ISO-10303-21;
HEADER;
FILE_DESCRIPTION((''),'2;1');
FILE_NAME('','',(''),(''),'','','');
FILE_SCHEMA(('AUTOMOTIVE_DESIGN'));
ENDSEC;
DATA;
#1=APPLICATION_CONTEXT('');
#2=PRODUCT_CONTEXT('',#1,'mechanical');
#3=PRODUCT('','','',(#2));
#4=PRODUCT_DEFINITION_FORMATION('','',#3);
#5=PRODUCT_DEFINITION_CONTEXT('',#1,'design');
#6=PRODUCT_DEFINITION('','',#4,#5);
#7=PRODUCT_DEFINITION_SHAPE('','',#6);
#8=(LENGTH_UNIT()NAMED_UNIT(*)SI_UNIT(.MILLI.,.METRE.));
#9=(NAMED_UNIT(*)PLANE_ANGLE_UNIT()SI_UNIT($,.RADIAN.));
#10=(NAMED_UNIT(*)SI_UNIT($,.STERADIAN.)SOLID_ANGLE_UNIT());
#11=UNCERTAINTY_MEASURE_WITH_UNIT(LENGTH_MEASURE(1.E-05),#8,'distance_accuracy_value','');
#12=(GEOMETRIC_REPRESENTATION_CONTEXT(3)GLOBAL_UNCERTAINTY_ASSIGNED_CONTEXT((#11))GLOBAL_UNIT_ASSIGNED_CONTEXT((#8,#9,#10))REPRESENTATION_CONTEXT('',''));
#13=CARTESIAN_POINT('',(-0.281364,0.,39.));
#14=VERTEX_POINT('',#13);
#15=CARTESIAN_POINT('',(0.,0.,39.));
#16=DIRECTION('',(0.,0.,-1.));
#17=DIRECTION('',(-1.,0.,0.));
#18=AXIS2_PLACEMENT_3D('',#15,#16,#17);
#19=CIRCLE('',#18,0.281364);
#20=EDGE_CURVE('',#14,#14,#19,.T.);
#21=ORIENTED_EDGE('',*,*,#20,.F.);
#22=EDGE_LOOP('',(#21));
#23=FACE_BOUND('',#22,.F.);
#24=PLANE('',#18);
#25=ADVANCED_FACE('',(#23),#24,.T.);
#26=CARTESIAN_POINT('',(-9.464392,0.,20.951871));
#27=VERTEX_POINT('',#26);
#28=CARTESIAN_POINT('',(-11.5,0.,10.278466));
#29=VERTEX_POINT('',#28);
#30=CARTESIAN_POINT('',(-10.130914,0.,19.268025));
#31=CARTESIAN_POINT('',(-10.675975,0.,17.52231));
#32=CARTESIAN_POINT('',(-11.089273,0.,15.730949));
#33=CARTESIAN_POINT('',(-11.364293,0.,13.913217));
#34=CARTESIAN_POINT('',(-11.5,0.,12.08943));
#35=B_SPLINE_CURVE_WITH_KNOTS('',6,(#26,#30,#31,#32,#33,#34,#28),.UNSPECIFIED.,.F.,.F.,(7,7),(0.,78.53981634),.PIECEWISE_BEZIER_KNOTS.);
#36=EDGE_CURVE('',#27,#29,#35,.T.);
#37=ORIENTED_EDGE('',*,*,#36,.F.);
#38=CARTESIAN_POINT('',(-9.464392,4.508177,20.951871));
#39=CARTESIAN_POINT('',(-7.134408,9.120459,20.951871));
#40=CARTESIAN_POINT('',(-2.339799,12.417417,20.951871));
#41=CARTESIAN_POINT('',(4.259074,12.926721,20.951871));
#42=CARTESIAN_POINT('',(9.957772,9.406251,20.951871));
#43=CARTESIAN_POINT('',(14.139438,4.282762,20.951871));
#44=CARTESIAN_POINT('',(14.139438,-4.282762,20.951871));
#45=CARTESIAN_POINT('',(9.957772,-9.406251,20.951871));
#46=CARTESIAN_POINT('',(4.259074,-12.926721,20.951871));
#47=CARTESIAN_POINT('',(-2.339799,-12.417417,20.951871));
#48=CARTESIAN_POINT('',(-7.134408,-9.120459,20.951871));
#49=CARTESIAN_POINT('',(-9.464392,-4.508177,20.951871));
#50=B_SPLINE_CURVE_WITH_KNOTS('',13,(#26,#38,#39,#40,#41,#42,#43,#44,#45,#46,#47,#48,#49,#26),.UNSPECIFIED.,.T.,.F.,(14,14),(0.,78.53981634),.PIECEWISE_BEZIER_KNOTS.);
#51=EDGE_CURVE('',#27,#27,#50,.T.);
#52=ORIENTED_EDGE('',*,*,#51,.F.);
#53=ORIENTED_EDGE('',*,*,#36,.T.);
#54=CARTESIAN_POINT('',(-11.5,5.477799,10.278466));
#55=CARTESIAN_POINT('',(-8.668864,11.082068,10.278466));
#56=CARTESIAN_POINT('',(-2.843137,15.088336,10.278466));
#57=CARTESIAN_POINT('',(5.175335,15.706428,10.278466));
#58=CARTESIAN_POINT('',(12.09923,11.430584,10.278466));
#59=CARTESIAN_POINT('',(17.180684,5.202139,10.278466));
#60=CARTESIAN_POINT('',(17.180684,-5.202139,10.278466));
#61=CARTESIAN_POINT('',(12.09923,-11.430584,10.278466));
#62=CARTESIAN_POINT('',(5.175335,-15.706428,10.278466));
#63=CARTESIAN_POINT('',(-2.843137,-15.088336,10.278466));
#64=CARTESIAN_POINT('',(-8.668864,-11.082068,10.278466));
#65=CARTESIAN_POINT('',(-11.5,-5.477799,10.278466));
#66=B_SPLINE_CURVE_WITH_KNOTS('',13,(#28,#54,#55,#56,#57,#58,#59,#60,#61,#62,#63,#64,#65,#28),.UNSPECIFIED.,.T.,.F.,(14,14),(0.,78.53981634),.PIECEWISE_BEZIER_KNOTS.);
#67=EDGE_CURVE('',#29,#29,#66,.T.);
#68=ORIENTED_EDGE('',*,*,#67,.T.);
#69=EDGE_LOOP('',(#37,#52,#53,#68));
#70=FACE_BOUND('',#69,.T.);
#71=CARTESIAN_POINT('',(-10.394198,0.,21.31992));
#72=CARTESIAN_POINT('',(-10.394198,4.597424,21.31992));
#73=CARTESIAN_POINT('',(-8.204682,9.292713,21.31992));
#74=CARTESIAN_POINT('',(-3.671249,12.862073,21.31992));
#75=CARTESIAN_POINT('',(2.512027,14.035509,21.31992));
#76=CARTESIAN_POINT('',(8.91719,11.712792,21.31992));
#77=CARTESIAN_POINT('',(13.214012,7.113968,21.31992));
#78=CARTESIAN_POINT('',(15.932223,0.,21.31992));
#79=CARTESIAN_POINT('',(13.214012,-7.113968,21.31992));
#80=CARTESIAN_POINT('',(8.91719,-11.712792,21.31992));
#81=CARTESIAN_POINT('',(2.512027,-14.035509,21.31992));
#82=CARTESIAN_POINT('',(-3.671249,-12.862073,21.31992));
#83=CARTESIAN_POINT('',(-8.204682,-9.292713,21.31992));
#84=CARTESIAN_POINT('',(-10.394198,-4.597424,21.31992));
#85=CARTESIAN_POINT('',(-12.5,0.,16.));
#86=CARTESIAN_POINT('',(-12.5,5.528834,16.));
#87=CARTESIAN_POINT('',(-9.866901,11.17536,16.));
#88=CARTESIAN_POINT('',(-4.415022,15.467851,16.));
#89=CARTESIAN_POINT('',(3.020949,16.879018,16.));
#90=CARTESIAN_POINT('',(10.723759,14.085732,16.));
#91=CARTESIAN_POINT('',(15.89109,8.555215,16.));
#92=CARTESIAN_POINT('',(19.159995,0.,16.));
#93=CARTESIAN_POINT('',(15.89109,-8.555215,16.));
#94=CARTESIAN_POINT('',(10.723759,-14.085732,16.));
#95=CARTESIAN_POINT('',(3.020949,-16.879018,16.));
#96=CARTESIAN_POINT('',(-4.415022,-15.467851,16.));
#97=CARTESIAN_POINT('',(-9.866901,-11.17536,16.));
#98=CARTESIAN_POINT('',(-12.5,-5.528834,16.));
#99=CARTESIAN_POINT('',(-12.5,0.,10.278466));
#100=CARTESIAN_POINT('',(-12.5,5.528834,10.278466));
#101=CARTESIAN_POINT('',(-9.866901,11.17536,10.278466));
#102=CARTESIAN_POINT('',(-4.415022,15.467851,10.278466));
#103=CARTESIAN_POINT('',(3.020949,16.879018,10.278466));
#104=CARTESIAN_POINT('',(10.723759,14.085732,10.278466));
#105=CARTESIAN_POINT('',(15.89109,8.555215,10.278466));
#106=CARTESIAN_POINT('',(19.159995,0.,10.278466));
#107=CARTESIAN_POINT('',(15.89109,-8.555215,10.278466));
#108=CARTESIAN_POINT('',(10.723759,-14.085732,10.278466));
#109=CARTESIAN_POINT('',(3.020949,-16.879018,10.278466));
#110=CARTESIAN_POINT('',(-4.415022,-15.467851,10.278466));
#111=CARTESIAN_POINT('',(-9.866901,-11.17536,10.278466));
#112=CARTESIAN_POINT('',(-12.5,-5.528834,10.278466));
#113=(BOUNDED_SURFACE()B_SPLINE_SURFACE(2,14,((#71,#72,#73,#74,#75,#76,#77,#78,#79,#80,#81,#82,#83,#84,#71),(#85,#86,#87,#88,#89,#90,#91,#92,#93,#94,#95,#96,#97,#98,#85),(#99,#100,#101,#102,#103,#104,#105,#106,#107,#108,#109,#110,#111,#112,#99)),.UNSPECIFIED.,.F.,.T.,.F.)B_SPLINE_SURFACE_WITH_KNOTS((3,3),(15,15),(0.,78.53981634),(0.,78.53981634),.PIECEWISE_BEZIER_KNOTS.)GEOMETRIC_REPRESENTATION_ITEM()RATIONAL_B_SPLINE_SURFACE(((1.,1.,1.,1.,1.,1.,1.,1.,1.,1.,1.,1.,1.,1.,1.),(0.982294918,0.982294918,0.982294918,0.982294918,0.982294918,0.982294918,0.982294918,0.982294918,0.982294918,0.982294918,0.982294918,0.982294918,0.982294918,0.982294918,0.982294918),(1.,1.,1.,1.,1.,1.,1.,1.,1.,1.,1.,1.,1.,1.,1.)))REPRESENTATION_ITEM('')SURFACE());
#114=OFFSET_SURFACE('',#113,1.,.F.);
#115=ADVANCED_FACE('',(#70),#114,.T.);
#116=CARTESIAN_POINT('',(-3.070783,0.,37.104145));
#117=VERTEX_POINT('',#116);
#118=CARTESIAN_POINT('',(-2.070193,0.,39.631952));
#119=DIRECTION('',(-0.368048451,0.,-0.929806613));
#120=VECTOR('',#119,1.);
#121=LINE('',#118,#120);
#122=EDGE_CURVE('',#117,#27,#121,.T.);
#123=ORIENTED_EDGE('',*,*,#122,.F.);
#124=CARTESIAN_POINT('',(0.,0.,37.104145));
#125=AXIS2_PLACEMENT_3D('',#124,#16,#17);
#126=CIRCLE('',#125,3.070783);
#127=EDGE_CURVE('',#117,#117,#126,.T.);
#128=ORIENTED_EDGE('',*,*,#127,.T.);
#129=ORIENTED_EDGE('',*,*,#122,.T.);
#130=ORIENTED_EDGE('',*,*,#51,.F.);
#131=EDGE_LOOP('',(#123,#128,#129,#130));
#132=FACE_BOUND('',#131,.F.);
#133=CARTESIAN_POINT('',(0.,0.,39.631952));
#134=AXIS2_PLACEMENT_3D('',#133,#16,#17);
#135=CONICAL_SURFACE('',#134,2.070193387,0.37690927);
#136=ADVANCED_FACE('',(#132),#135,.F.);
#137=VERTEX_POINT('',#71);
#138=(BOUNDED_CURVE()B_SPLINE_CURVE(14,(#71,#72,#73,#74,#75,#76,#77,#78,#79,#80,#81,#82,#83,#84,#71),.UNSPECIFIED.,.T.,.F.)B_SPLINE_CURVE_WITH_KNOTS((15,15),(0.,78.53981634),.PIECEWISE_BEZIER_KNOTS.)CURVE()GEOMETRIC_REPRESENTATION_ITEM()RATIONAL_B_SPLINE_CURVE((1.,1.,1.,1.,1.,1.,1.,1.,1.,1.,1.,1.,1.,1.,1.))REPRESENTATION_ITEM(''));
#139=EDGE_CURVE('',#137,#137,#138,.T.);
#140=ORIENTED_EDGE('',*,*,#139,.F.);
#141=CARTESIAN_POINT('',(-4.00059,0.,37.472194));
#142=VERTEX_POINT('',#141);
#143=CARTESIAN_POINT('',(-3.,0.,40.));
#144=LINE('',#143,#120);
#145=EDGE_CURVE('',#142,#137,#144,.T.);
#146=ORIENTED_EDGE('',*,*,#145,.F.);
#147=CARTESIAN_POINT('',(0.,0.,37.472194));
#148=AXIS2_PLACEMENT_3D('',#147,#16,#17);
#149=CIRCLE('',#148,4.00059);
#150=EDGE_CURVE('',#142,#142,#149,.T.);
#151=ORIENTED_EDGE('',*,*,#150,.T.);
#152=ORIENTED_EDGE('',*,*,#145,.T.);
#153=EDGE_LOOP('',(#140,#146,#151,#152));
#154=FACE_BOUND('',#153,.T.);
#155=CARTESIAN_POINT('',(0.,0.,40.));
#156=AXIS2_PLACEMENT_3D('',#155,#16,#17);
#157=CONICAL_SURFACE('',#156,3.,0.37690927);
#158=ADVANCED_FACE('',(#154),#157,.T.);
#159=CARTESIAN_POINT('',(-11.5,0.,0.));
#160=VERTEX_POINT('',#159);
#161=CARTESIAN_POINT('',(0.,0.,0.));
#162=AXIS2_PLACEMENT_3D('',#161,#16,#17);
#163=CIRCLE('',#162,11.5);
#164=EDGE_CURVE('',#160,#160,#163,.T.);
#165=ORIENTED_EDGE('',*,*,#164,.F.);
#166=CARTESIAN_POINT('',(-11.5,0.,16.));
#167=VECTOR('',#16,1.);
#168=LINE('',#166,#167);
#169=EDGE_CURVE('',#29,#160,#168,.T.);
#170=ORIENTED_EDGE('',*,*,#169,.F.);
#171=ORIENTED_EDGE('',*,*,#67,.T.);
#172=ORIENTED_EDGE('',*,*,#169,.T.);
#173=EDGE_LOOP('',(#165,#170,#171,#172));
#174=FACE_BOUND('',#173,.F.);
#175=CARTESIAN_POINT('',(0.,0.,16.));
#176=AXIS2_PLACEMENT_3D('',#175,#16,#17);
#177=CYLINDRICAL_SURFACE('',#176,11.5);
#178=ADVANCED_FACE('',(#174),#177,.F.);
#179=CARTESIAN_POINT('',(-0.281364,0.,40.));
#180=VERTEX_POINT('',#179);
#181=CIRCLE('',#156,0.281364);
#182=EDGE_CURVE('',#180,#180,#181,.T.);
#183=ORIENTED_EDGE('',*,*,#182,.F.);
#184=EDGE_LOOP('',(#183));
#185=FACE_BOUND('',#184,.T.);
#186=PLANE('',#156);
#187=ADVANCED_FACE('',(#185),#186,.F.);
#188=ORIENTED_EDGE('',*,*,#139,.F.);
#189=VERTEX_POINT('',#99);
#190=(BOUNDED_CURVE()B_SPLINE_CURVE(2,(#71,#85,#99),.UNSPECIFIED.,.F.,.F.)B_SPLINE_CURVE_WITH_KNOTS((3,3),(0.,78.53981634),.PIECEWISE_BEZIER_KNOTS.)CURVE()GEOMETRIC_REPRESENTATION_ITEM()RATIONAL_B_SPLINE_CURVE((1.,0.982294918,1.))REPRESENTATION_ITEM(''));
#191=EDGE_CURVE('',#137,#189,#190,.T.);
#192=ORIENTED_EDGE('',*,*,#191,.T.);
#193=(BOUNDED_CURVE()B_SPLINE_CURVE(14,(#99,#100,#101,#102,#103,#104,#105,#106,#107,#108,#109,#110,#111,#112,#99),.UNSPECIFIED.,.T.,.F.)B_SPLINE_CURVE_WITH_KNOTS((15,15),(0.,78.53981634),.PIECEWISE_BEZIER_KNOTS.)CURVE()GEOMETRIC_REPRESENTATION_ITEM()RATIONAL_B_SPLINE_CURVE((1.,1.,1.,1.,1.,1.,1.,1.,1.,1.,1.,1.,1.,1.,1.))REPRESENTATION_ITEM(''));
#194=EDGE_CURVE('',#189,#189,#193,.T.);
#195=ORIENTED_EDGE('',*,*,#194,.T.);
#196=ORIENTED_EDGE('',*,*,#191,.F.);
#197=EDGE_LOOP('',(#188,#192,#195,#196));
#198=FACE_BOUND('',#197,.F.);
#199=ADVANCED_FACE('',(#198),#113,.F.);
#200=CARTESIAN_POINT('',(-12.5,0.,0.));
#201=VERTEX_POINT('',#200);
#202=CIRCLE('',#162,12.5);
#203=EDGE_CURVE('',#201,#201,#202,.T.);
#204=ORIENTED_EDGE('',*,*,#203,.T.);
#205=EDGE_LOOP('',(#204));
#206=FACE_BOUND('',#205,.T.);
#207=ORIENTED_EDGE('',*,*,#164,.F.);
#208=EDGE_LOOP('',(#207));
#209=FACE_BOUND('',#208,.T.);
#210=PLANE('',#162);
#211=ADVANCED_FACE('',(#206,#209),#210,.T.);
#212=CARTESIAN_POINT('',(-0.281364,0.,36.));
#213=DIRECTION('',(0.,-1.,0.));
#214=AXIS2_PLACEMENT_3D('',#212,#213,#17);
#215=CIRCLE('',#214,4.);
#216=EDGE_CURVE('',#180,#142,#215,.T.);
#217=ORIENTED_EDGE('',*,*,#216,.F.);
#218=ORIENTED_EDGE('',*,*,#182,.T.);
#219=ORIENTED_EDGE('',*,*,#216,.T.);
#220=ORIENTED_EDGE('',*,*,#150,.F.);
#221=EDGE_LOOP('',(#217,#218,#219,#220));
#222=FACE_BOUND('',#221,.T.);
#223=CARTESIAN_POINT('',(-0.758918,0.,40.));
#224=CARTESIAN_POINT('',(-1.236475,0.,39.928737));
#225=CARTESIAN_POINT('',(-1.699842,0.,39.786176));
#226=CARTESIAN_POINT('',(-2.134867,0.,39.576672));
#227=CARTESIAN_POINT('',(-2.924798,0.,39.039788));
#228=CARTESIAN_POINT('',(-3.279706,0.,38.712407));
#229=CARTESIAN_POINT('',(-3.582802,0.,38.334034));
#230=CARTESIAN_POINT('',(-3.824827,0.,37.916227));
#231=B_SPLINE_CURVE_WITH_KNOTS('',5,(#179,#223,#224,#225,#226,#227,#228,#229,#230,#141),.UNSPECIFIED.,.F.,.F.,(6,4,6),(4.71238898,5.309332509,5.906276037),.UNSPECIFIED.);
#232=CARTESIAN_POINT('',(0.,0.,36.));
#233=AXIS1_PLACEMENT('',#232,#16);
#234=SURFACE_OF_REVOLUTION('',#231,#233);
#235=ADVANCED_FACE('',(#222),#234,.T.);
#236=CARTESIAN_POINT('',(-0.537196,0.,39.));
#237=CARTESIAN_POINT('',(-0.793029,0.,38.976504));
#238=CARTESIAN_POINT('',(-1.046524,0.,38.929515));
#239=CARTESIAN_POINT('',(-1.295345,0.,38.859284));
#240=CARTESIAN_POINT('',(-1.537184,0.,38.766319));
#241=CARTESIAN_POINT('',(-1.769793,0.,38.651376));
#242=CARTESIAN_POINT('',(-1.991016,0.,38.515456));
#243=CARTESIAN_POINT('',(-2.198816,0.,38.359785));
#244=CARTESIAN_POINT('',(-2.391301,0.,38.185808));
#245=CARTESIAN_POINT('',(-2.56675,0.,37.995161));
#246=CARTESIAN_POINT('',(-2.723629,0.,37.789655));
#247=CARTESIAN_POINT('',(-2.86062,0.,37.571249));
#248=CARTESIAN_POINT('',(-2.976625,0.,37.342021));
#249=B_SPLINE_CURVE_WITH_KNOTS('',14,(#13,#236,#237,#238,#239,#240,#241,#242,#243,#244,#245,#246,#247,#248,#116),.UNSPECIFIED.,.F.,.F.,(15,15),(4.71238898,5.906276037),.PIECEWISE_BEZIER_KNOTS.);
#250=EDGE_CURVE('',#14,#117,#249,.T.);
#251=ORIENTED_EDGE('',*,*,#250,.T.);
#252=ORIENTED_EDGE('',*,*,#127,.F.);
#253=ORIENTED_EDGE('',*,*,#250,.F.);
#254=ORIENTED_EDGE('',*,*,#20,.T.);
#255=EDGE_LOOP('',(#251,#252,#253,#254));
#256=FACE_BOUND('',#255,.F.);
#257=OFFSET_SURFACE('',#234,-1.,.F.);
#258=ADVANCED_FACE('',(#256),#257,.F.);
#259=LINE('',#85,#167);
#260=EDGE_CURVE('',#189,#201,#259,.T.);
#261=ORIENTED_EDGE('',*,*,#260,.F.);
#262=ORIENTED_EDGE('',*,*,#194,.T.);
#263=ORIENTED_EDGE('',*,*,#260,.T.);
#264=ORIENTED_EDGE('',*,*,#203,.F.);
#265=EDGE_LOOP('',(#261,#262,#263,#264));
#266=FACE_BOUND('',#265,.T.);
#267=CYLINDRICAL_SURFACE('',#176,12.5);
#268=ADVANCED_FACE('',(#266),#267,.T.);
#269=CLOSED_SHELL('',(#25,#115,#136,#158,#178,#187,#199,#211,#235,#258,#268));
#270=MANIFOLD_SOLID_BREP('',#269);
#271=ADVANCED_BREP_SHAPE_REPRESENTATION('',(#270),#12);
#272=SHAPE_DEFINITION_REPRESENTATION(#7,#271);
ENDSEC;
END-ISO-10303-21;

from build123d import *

# Parameters (mm, degrees)
F2_R = 4
F3_R = 30
F4_T = -1


with BuildPart() as f1:
    # F0 (on Front) → F1 (revolve)
    with BuildSketch(Plane.XZ):
        Polygon((-12.5, 0), (0, 0), (0, 40), (-3, 40), (-12.5, 16), align=None)
    revolve(axis=Axis((0, 0, 20), (0, 0, -1)))

    # F2
    f2_edges = [f1.edges().sort_by_distance(p)[0] for p in [
        (3, 0, 40),
    ]]
    fillet(f2_edges, radius=F2_R)

    # F3
    f3_edges = [f1.edges().sort_by_distance(p)[0] for p in [
        (12.5, 0, 16),
    ]]
    fillet(f3_edges, radius=F3_R)

    # F4
    f4_openings = [f1.faces().sort_by_distance(p)[0] for p in [
        (0, 0, 0),
    ]]
    offset(amount=F4_T, openings=f4_openings)


solid = f1.part
